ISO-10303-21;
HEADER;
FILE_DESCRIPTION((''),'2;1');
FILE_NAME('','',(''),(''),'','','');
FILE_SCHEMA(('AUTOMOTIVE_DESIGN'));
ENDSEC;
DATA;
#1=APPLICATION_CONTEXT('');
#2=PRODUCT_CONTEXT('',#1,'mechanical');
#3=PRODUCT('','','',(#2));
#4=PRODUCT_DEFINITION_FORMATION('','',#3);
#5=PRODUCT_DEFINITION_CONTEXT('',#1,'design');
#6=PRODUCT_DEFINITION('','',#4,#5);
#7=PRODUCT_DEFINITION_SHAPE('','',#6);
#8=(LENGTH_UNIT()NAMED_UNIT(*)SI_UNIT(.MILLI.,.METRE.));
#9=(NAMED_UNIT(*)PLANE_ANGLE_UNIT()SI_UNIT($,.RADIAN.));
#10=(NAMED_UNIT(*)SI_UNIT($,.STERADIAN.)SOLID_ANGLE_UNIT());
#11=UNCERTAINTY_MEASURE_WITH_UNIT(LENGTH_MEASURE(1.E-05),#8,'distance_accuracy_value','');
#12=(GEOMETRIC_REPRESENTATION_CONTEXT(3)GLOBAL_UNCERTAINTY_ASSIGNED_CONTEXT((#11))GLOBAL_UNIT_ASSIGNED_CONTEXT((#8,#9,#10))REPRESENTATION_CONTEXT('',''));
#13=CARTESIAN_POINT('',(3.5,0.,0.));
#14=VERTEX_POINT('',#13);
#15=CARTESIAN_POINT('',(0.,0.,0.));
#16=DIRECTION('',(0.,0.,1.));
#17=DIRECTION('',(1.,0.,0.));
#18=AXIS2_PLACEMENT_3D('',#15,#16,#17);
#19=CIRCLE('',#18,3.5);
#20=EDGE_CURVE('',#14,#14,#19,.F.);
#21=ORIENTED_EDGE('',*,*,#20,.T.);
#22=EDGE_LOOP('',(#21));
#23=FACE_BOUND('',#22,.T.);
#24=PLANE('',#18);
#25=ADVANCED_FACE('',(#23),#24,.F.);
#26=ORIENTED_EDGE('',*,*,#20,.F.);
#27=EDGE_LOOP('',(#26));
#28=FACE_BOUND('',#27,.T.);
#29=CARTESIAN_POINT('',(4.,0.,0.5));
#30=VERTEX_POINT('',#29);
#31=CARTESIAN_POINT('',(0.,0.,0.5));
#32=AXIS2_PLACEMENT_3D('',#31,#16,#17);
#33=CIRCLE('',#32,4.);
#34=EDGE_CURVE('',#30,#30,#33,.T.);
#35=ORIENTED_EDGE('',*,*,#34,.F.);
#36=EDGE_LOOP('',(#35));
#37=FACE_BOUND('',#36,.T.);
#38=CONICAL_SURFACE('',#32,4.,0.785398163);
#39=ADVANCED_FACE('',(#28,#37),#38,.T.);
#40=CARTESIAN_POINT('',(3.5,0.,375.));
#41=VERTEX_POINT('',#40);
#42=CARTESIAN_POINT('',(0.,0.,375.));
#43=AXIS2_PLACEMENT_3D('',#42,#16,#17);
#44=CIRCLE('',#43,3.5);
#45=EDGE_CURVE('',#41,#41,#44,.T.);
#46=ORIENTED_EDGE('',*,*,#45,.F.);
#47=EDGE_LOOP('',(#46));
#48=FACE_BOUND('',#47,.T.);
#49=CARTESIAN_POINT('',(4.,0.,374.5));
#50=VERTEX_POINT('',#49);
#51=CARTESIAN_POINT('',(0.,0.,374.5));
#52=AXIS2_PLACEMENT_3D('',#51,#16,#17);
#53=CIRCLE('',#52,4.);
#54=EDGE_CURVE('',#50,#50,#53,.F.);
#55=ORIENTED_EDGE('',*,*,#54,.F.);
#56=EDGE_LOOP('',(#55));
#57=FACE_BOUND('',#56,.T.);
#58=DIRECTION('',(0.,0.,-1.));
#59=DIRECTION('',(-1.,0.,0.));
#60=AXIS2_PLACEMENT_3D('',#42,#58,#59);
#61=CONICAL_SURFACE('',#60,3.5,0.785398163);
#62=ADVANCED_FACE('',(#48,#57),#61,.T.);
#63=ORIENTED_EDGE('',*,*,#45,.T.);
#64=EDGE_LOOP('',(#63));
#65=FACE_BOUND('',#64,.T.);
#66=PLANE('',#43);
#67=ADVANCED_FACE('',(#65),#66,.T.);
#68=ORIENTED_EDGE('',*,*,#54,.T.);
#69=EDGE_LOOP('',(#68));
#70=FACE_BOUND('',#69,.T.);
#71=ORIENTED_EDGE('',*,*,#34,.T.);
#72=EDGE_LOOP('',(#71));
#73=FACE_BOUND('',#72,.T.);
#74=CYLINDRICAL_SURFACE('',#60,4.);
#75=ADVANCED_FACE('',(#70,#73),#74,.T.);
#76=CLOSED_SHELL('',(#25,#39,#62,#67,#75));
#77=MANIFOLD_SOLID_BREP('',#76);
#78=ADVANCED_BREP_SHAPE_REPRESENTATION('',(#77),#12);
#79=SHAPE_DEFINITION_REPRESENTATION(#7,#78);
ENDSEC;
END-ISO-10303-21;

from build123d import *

# Parameters (mm, degrees)
SZKIC1_R                    = 4
DODANIE_WYCI_GNI_CIE1_DEPTH = 375
SFAZOWANIE1_SIZE            = 0.5


with BuildPart() as part:
    # Szkic1 → Dodanie-wyciągnięcie1 (new body)
    with BuildSketch(Plane.XY):
        Circle(SZKIC1_R)
    extrude(amount=DODANIE_WYCI_GNI_CIE1_DEPTH)

    # Sfazowanie1
    sfazowanie1_edges = [part.edges().sort_by_distance(p)[0] for p in [
        (-4, 0, 0),
        (-4, 0, 375),
    ]]
    chamfer(sfazowanie1_edges, length=SFAZOWANIE1_SIZE)


solid = part.part
